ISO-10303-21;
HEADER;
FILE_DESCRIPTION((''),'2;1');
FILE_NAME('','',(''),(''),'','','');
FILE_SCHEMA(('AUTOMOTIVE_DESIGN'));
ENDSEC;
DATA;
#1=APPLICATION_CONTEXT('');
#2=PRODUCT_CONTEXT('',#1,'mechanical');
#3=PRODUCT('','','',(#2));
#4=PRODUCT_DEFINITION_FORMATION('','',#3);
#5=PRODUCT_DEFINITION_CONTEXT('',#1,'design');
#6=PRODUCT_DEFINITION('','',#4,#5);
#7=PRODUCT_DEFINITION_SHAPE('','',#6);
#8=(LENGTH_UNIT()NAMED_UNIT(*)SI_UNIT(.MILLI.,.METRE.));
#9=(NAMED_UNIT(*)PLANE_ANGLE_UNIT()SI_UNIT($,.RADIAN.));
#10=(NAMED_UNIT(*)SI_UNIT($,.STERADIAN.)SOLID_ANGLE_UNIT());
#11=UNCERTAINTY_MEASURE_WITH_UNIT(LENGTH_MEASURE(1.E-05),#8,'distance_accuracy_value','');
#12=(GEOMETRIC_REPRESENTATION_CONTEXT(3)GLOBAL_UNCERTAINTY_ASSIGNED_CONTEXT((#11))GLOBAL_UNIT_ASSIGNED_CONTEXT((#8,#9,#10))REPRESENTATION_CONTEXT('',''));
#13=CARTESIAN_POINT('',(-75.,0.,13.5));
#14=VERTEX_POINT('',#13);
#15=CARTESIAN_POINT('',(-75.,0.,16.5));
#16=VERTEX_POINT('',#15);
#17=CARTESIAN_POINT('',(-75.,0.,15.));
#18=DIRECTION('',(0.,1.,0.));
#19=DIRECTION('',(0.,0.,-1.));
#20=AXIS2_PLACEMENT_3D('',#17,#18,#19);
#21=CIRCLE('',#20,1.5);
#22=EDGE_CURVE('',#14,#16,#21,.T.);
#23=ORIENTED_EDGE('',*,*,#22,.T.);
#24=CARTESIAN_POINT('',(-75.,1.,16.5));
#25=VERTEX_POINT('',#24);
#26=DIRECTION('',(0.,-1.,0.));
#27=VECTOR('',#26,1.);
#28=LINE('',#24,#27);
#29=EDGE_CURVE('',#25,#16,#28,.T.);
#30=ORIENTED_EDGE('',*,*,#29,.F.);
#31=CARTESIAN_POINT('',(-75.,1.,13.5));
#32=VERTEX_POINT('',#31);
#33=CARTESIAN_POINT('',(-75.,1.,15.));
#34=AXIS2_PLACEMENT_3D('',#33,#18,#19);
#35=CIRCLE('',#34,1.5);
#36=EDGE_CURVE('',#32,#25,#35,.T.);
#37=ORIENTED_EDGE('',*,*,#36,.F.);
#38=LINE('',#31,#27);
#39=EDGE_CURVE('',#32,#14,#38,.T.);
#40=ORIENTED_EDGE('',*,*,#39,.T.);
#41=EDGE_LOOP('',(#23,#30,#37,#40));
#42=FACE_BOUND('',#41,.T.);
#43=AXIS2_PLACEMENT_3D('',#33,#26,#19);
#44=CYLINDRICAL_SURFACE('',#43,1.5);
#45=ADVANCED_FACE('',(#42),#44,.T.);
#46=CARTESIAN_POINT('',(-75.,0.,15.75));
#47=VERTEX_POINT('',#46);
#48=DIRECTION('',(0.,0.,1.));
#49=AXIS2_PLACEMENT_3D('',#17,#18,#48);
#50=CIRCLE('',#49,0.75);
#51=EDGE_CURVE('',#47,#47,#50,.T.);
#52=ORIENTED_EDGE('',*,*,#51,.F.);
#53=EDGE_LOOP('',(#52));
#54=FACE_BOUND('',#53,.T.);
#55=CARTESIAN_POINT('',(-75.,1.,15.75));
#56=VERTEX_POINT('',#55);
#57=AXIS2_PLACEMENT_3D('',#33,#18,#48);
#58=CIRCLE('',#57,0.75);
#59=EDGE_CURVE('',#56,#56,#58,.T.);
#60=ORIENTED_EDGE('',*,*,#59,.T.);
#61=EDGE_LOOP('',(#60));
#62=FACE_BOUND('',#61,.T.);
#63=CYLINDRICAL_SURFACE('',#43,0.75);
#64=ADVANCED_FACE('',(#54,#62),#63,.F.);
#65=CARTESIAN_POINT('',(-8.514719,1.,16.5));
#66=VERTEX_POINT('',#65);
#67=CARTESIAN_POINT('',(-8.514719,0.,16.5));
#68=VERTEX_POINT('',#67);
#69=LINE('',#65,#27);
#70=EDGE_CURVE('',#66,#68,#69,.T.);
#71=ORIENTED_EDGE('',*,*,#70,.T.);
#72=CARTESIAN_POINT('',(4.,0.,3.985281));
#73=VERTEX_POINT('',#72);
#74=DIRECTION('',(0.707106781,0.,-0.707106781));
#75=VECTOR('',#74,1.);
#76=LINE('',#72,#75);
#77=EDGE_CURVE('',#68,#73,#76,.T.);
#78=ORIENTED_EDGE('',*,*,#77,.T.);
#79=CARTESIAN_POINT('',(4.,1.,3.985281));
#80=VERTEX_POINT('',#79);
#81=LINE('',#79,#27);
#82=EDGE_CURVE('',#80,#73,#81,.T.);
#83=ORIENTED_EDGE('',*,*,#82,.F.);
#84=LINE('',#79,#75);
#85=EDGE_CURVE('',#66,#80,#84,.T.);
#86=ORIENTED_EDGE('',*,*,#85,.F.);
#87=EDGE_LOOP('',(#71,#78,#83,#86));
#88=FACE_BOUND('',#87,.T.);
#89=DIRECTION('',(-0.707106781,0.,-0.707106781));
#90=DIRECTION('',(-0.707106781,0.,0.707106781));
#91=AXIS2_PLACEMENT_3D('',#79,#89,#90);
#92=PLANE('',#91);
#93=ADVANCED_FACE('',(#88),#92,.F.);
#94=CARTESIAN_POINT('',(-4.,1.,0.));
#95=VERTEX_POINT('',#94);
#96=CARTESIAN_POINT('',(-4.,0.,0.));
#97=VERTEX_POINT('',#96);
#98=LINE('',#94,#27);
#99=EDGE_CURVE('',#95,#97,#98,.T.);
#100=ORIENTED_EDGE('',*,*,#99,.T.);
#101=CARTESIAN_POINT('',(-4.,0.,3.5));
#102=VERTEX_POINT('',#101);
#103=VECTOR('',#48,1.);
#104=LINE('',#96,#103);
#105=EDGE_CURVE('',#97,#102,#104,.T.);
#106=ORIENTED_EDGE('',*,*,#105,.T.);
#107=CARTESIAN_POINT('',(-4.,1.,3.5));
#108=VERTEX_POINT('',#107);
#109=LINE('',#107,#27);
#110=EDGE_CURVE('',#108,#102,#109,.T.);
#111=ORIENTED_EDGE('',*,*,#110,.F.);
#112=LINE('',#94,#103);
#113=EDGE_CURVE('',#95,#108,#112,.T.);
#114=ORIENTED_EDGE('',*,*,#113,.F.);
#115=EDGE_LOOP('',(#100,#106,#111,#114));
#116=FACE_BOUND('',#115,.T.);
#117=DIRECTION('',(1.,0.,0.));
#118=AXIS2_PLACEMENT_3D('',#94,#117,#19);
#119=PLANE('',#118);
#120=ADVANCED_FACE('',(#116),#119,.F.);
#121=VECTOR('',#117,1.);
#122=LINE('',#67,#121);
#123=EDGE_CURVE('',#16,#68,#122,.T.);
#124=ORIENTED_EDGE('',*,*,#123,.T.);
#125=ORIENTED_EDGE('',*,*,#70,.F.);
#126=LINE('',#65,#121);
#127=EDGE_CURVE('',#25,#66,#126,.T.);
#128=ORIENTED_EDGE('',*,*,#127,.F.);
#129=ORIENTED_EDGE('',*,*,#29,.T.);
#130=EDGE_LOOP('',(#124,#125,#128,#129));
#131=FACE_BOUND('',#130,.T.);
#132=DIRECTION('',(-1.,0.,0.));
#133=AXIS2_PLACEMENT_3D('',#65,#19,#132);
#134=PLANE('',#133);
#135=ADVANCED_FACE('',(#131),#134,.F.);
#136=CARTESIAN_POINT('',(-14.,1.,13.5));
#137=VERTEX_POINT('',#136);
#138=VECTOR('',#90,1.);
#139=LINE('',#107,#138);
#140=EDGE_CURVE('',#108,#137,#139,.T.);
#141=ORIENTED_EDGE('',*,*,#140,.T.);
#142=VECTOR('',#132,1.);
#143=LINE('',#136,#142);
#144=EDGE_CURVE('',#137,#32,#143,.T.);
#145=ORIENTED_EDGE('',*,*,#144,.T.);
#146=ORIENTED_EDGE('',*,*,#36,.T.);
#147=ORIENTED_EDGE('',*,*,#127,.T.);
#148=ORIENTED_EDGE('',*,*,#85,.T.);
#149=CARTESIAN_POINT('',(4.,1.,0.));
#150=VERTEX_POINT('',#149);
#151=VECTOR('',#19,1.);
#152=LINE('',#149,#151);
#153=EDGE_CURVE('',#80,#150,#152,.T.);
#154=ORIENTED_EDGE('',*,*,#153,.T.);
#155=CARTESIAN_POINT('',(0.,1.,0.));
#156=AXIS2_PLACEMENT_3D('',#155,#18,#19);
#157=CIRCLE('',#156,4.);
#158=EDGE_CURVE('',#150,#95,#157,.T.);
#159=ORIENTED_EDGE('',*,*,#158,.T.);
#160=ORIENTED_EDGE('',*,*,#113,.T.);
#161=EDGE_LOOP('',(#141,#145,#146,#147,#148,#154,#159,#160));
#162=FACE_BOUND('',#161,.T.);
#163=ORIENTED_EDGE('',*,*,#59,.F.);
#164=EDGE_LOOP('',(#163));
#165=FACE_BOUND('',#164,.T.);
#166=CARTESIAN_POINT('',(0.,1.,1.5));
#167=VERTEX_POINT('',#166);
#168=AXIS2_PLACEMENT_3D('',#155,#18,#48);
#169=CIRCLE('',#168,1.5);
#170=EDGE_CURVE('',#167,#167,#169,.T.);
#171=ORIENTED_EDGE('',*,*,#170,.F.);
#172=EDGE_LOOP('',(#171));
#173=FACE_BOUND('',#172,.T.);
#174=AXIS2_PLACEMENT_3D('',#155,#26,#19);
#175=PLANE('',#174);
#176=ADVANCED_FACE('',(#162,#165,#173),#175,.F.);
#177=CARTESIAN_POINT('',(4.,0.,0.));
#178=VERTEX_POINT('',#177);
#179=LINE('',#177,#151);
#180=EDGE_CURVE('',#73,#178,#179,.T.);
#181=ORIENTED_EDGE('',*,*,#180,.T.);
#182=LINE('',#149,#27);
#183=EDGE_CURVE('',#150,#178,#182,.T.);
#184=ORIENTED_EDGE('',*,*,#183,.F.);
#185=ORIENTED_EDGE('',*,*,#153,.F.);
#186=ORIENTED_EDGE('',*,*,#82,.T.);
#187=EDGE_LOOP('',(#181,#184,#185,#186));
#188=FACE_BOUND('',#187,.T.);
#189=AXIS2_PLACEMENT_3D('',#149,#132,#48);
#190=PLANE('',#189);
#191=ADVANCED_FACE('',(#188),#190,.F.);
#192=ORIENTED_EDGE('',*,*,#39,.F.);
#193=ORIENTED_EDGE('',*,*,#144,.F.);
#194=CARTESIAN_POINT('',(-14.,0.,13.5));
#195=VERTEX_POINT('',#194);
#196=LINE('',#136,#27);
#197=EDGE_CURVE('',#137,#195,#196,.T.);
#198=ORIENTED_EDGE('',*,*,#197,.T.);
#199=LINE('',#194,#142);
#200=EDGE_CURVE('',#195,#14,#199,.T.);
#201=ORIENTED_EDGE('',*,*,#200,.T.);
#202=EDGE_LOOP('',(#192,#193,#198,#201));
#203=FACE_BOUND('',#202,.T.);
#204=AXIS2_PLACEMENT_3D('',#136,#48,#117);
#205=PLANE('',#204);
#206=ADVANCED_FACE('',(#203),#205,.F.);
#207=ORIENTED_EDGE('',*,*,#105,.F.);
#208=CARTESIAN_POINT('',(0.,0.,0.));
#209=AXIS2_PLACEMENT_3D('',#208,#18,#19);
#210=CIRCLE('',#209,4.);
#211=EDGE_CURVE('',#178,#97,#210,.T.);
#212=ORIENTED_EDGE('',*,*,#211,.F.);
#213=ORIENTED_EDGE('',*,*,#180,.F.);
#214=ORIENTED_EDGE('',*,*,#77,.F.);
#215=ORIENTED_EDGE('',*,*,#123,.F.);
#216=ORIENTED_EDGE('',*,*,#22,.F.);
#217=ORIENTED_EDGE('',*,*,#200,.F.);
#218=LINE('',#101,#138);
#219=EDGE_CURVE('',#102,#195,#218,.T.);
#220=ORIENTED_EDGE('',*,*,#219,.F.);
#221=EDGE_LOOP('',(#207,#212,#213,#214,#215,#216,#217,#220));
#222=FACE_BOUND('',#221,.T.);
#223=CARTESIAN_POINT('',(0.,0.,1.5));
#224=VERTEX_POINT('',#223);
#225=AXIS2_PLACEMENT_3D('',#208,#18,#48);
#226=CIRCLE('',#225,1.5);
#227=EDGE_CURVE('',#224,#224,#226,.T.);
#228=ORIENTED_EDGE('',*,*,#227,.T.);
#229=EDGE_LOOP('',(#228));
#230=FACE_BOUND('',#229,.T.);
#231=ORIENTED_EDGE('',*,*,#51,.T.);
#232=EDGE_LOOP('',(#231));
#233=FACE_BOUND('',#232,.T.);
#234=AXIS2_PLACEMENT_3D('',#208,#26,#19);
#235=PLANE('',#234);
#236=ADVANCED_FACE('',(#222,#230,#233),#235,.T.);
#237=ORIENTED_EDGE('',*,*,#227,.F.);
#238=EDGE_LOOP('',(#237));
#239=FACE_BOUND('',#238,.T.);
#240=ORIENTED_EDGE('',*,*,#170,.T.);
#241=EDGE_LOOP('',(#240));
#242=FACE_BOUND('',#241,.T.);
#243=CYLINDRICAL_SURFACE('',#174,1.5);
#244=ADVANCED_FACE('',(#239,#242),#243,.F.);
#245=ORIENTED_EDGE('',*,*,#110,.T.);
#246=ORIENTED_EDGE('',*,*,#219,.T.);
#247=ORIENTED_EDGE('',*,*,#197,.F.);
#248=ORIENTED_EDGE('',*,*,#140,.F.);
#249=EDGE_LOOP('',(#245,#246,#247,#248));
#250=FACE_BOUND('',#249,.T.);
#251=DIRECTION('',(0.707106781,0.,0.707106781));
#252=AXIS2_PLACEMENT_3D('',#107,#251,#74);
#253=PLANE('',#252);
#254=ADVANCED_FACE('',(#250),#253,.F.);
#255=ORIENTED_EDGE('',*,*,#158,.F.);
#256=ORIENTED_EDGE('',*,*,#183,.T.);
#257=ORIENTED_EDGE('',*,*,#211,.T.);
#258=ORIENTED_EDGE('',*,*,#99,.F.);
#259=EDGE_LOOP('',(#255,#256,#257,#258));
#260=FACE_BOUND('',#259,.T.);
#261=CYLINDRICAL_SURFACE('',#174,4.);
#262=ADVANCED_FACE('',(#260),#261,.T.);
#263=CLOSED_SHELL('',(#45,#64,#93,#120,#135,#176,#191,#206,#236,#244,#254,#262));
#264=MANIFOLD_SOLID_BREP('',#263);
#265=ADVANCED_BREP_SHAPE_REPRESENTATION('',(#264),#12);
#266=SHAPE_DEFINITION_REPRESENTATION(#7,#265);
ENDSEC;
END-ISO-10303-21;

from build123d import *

# Parameters (mm, degrees)
SKETCH1_R           = 1.5
SKETCH1_R_2         = 0.75
BOSS_EXTRUDE1_DEPTH = 1


with BuildPart() as part:
    # Sketch1 → Boss-Extrude1 (new body)
    with BuildSketch(Plane(origin=(0, 0, 0), x_dir=(1, 0, 0), z_dir=(0, 1, 0))):
        with BuildLine():
            Line((-4, 0), (-4, -3.5))
            Line((-4, -3.5), (-14, -13.5))
            Line((-14, -13.5), (-75, -13.5))
            ThreePointArc((-75, -13.5), (-76.5, -15), (-75, -16.5))
            Line((-75, -16.5), (-8.514718626, -16.5))
            Line((-8.514718626, -16.5), (4, -3.985281374))
            Line((4, -3.985281374), (4, 0))
            ThreePointArc((4, 0), (0, 4), (-4, 0))
        make_face()
        with Locations(Location((0, 0, 0), (0, 0, 270))):
            Circle(SKETCH1_R, mode=Mode.SUBTRACT)
        with Locations(Location((-75, -15, 0), (0, 0, 270))):
            Circle(SKETCH1_R_2, mode=Mode.SUBTRACT)
    extrude(amount=BOSS_EXTRUDE1_DEPTH)


solid = part.part
